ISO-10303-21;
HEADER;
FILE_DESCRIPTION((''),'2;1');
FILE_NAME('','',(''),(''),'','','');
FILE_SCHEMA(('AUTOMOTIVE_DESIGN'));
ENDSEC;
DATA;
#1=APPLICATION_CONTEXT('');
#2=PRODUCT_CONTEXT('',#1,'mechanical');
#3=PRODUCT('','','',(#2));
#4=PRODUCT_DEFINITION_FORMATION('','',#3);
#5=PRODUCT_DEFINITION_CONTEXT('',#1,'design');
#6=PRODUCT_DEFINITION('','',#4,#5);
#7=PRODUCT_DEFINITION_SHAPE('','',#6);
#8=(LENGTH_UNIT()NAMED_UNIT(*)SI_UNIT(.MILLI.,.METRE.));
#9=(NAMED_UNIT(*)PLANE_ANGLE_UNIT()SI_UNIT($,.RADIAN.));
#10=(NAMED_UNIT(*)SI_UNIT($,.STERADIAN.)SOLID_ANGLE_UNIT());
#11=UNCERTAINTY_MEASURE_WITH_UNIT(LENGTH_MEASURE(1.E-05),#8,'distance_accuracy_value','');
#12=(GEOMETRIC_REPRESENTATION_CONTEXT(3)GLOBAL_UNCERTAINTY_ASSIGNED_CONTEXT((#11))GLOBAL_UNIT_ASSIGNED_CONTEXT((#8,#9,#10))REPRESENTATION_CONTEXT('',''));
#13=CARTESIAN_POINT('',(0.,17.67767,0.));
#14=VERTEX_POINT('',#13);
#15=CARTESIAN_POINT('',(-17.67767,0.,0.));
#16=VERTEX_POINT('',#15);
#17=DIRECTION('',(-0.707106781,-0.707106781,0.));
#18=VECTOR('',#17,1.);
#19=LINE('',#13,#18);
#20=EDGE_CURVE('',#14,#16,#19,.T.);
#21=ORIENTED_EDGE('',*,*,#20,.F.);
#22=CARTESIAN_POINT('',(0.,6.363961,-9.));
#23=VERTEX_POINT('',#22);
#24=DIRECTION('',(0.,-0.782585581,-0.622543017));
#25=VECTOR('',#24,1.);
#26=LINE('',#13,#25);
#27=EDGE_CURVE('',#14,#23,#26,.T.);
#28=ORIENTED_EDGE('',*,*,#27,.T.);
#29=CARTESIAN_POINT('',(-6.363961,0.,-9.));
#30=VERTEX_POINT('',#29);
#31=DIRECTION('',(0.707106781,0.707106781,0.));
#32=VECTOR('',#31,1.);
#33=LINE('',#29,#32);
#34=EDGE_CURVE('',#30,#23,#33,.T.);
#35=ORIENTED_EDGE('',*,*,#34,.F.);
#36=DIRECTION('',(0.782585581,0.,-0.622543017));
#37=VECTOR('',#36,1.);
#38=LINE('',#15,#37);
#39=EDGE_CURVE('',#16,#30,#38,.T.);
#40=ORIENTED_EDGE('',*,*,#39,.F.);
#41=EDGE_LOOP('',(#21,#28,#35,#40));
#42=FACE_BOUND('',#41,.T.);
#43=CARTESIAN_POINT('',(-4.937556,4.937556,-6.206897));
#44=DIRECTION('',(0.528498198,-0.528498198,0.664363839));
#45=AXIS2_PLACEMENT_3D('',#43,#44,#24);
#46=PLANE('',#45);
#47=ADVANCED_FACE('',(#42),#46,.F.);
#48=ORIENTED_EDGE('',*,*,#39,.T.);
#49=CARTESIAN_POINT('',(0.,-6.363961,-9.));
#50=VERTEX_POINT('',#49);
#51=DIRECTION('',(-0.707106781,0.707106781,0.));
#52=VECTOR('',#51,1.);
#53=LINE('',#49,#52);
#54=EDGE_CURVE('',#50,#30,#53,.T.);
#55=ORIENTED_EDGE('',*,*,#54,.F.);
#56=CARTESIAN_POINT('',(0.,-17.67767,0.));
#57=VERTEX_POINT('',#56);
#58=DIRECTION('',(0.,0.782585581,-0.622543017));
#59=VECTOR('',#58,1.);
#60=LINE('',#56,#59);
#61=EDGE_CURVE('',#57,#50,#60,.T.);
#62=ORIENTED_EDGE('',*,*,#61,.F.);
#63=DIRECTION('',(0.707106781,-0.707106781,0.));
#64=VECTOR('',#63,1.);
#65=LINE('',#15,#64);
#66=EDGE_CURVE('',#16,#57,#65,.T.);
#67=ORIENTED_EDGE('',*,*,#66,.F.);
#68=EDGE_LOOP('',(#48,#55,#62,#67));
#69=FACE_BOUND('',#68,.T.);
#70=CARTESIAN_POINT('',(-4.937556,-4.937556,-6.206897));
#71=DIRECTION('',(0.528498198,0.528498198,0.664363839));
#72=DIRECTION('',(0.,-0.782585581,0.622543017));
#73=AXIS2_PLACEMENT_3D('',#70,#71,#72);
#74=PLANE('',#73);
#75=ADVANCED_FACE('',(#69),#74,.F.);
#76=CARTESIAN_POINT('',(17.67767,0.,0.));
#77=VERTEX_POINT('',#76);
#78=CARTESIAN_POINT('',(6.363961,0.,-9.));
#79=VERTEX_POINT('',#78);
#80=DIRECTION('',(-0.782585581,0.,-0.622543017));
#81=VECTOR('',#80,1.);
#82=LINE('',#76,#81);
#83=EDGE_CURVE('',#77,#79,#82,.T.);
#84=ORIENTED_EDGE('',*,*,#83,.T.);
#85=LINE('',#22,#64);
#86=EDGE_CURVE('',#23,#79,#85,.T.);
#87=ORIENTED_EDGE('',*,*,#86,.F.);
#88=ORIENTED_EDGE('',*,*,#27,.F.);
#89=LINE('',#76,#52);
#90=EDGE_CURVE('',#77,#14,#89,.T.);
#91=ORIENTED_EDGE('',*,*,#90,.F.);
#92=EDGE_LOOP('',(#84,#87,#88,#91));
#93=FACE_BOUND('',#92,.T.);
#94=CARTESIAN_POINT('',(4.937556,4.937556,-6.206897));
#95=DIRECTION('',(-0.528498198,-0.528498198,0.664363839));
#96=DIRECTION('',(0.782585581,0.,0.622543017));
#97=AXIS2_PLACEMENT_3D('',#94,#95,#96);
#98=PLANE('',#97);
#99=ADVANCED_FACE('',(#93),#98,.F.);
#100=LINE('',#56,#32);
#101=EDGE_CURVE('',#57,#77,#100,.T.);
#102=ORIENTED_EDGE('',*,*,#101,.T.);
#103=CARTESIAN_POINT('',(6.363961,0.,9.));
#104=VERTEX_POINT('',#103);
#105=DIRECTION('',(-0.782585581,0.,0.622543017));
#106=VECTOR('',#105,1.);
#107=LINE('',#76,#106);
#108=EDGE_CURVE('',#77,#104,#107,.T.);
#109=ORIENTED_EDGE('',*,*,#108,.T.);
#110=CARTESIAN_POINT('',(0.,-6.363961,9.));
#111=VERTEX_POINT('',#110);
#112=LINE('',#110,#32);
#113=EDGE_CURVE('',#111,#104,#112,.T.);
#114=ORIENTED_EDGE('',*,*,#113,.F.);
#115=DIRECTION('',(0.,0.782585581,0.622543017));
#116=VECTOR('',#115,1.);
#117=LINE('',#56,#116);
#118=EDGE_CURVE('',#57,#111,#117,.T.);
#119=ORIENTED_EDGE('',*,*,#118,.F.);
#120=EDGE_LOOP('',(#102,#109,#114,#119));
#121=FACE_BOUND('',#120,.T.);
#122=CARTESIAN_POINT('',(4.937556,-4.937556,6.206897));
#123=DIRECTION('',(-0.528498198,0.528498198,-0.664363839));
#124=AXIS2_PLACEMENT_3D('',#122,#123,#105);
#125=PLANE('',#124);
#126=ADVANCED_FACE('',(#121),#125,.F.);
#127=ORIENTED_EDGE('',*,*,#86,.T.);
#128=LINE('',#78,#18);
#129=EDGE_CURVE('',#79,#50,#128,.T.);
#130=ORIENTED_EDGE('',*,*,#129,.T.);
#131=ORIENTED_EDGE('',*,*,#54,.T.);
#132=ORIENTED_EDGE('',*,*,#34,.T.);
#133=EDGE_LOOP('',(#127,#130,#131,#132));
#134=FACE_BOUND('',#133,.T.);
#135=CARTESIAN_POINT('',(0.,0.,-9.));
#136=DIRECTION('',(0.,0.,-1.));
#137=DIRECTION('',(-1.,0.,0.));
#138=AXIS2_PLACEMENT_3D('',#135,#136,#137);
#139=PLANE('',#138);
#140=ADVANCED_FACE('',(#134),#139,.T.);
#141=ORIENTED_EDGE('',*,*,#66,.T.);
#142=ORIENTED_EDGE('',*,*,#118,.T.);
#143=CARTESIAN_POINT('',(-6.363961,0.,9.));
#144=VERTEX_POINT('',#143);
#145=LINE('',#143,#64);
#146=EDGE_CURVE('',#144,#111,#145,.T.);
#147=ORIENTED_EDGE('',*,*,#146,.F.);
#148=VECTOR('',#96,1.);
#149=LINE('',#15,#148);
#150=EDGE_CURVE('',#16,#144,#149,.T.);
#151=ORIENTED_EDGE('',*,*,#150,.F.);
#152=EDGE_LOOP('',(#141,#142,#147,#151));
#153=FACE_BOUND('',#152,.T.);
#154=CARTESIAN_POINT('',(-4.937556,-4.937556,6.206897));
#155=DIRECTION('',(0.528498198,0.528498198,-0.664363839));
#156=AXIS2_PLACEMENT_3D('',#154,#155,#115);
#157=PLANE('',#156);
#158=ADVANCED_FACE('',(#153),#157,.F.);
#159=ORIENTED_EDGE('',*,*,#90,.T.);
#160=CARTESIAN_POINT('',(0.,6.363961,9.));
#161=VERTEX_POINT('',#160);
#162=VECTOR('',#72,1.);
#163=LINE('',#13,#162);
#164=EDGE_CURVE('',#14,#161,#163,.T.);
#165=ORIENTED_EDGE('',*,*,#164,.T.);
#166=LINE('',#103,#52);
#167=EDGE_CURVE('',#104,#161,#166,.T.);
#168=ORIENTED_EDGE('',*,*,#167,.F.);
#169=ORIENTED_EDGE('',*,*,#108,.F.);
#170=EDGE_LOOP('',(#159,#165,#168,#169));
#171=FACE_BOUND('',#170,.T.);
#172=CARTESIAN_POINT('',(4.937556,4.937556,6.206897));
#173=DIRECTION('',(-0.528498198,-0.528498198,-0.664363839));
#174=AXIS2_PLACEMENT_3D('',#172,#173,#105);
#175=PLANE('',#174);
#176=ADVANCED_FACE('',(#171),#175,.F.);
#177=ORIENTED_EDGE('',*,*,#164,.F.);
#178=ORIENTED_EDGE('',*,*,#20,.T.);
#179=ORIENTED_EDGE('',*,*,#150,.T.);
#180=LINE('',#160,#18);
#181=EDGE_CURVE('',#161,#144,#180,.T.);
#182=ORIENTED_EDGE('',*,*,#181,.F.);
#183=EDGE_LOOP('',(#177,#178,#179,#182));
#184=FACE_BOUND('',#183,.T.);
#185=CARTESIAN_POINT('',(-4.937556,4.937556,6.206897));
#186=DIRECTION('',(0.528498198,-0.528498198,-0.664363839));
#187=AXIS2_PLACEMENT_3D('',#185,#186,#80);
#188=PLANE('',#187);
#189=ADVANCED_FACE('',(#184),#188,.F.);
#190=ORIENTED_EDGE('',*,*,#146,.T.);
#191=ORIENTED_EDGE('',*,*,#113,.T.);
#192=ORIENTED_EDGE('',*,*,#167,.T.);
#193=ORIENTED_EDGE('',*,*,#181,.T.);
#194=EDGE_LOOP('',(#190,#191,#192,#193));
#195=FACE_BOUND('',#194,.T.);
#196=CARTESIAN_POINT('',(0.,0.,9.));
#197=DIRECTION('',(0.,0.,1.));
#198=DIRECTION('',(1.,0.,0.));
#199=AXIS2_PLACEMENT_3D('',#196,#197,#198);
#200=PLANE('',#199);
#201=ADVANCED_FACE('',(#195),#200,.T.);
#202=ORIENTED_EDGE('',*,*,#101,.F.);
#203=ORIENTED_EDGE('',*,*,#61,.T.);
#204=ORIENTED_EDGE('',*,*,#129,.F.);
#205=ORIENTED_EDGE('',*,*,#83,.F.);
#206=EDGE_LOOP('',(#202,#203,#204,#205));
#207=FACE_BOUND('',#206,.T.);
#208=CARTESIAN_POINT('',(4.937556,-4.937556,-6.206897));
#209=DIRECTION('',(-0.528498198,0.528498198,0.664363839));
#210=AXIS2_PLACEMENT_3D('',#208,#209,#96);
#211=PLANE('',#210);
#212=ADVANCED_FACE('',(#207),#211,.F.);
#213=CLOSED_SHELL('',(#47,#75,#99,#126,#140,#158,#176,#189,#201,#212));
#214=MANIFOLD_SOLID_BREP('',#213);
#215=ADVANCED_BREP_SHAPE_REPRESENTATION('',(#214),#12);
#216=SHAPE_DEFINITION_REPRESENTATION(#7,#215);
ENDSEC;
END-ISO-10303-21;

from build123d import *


with BuildPart() as part:
    # Croquis1 → Recubrir1 section 0
    with BuildSketch(Plane.XY):
        Polygon((0, 17.67766953), (-17.67766953, 0), (0, -17.67766953), (17.67766953, 0), align=None)
    # Croquis2 → Recubrir1 section 1
    with BuildSketch(Plane.XY.offset(9)):
        Polygon((0, 6.363961031), (-6.363961031, 0), (0, -6.363961031), (6.363961031, 0), align=None)
    loft()

    # Croquis5 → Recubrir2 section 0
    with BuildSketch(Plane(origin=(0, 0, 0), x_dir=(-1, 0, 0), z_dir=(0, 0, -1))):
        Polygon((0, 17.67766953), (-17.67766953, 0), (0, -17.67766953), (17.67766953, 0), align=None)
    # Croquis4 → Recubrir2 section 1
    with BuildSketch(Plane(origin=(0, 0, -9), x_dir=(-1, 0, 0), z_dir=(0, 0, -1))):
        Polygon((0, -6.363961031), (6.363961031, 0), (0, 6.363961031), (-6.363961031, 0), align=None)
    loft()


solid = part.part
